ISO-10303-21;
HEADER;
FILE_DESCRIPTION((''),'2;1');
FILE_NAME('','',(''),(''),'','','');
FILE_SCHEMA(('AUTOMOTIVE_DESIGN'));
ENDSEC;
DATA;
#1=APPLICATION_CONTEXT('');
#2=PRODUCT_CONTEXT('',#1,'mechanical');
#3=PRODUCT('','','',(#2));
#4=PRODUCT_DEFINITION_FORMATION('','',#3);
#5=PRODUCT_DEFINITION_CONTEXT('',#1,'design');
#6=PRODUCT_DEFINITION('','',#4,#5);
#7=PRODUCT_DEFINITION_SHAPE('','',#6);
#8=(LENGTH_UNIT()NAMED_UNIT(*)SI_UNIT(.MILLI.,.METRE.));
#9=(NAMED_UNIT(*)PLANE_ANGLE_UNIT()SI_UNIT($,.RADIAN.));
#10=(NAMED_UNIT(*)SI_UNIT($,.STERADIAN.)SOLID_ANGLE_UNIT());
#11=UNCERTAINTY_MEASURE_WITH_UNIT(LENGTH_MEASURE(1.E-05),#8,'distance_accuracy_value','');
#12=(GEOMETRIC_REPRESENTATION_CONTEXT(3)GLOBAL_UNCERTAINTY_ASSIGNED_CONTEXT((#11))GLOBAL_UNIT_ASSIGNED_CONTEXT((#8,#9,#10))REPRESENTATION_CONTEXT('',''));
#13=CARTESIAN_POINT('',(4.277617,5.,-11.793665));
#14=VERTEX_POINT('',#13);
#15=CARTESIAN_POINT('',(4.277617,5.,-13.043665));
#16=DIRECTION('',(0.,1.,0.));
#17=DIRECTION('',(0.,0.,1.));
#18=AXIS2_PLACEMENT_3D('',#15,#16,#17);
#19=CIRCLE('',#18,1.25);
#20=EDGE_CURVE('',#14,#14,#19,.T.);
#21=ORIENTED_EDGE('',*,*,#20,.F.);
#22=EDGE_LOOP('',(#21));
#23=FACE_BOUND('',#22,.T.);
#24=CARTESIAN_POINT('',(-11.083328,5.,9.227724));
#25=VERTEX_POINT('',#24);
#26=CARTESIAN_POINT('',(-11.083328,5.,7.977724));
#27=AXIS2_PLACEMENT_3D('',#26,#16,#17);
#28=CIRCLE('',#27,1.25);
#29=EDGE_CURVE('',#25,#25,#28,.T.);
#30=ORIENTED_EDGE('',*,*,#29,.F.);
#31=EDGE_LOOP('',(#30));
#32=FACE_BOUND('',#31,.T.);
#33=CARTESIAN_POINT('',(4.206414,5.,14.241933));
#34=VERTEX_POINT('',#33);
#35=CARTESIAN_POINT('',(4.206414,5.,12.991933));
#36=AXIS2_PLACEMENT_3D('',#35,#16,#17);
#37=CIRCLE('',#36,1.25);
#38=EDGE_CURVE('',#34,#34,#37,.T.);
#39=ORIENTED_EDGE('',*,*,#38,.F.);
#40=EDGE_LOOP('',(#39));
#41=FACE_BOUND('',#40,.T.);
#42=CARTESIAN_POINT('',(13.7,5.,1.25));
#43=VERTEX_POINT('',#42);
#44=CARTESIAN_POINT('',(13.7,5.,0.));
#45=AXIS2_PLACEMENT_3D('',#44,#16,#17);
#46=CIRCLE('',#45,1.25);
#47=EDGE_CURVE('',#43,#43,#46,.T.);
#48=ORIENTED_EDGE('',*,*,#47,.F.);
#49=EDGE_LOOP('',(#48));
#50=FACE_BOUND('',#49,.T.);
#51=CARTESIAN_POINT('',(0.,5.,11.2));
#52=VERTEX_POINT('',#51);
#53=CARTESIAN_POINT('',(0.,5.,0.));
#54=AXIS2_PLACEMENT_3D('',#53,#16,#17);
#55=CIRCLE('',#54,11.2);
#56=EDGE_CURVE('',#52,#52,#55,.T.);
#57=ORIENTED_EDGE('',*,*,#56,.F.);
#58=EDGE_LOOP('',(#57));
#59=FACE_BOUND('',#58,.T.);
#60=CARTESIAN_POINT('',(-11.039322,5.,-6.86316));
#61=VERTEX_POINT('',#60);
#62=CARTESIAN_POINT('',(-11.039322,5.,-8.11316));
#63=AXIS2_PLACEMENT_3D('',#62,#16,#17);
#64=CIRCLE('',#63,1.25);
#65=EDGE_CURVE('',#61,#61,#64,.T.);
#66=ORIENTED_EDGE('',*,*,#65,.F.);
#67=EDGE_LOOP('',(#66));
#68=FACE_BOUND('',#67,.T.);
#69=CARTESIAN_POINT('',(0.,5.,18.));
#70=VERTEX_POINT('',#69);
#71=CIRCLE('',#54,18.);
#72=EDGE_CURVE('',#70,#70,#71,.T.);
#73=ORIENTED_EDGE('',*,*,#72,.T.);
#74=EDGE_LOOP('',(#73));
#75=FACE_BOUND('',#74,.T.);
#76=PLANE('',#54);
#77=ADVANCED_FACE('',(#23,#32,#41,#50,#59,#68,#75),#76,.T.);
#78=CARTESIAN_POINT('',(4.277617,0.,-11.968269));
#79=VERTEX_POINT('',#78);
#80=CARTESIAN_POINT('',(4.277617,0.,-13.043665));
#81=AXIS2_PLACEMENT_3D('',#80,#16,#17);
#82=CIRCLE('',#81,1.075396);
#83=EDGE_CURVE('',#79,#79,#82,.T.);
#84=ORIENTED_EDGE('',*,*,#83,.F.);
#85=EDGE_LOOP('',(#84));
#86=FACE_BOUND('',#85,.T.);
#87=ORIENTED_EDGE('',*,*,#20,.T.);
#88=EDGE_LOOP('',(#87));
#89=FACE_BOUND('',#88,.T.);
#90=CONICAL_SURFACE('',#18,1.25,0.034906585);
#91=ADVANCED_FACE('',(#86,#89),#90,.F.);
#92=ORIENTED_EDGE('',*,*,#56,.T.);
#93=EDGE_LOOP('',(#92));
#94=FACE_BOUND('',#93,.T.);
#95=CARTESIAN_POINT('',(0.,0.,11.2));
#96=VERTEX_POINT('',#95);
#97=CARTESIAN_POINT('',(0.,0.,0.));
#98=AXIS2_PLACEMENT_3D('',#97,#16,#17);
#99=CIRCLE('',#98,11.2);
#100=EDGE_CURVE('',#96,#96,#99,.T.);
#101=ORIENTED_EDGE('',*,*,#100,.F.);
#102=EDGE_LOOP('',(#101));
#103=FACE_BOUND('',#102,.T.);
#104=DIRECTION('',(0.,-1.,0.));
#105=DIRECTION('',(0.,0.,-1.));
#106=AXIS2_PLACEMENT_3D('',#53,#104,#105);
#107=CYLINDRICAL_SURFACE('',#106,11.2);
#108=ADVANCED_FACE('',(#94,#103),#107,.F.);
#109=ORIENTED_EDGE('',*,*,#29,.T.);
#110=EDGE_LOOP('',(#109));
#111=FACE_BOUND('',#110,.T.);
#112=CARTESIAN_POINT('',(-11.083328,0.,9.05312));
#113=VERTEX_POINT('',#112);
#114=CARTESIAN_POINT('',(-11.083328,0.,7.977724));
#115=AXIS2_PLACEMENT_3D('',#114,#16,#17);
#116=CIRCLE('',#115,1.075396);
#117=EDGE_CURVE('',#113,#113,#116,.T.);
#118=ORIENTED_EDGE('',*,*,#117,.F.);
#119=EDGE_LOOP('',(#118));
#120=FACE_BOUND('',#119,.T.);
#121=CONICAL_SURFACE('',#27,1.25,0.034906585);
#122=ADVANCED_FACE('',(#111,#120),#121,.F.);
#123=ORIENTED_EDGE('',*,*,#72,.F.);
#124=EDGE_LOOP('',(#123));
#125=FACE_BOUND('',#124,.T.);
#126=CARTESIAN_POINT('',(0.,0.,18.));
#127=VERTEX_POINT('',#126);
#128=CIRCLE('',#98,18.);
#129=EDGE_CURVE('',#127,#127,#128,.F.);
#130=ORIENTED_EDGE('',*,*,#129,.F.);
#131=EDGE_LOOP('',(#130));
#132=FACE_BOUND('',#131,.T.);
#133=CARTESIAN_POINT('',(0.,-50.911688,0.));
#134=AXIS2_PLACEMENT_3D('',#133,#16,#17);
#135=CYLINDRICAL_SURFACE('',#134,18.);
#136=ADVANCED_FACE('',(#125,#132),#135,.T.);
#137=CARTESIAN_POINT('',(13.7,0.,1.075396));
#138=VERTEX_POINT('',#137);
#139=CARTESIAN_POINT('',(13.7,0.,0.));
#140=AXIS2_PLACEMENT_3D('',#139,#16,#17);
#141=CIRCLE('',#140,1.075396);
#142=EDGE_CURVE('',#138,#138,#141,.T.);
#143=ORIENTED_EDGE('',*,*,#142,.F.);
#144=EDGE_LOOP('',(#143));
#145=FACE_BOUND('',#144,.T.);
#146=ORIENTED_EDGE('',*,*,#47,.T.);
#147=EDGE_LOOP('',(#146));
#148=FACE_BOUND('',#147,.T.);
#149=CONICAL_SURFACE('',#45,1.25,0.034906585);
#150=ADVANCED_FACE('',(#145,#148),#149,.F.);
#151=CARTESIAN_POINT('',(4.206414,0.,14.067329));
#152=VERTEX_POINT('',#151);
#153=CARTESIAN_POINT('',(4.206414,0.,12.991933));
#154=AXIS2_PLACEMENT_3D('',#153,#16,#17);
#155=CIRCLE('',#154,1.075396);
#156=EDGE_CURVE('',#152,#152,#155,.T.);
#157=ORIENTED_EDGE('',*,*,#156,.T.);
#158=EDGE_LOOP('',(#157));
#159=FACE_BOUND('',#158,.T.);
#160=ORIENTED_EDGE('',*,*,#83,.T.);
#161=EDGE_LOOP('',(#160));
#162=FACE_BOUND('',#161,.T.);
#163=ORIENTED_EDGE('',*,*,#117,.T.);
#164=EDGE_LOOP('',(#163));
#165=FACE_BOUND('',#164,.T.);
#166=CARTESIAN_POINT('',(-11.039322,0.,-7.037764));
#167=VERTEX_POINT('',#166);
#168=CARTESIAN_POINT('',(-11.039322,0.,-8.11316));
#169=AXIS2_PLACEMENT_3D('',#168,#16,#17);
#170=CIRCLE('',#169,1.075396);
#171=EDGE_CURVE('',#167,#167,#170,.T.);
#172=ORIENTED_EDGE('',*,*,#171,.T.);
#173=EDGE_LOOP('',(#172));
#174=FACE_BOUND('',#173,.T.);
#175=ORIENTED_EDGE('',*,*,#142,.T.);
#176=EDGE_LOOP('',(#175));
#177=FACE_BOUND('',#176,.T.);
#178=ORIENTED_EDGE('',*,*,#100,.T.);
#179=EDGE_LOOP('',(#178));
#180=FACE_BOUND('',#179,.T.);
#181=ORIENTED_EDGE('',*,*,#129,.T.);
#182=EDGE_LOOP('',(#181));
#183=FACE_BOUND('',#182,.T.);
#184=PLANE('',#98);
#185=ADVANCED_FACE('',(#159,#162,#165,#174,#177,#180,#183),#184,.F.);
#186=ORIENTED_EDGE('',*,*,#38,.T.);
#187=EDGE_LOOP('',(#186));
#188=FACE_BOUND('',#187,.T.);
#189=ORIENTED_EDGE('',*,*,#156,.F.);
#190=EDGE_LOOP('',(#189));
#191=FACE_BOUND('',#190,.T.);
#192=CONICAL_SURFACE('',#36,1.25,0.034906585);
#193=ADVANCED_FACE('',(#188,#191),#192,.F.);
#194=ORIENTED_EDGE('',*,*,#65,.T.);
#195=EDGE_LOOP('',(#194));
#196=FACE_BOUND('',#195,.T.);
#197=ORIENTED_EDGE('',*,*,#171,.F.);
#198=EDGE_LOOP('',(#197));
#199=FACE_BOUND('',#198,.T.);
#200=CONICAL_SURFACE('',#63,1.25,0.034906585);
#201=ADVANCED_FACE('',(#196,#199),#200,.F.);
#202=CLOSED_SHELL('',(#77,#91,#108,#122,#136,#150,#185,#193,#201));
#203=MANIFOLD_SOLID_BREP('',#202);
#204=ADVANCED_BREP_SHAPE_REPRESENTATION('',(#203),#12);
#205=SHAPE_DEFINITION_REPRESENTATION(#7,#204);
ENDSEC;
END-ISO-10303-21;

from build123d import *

# Parameters (mm, degrees)
SKETCH1_R                    = 16.2
SKETCH1_R_2                  = 11.2
BOSS_EXTRUDE2_DEPTH          = 5
SKETCH2_R                    = 1.25
CUT_EXTRUDE1_DEPTH           = 5
CUT_EXTRUDE1_DRAFT           = -2
CUT_EXTRUDE1_PROFILE_2_DEPTH = 5
CUT_EXTRUDE1_PROFILE_2_DRAFT = -2
CUT_EXTRUDE1_PROFILE_3_DEPTH = 5
CUT_EXTRUDE1_PROFILE_3_DRAFT = -2
CUT_EXTRUDE1_PROFILE_4_DEPTH = 5
CUT_EXTRUDE1_PROFILE_4_DRAFT = -2
CUT_EXTRUDE1_PROFILE_5_DEPTH = 5
CUT_EXTRUDE1_PROFILE_5_DRAFT = -2
SKETCH3_R                    = 18
SKETCH3_R_2                  = 16
BOSS_EXTRUDE4_DEPTH          = 5


with BuildPart() as part:
    # Sketch1 → Boss-Extrude2 (new body)
    with BuildSketch(Plane(origin=(0, 0, 0), x_dir=(1, 0, 0), z_dir=(0, 1, 0))):
        with Locations(Location((0, 0, 0), (0, 0, 270))):
            Circle(SKETCH1_R)
        with Locations(Location((0, 0, 0), (0, 0, 270))):
            Circle(SKETCH1_R_2, mode=Mode.SUBTRACT)
    extrude(amount=BOSS_EXTRUDE2_DEPTH)


with BuildPart() as cut_extrude1_tool:
    # Sketch2 → Cut-Extrude1 (with draft: the straight prism first)
    with BuildSketch(Plane(origin=(0, 5, 0), x_dir=(1, 0, 0), z_dir=(0, 1, 0))):
        with Locations((-11.039322132, 8.113160104)):
            Circle(SKETCH2_R)
    extrude(amount=-CUT_EXTRUDE1_DEPTH)
    # Cut-Extrude1: the draft: its side faces are tilted about the plane it starts from
    cut_extrude1_sides = [cut_extrude1_tool.faces().sort_by_distance(p)[0] for p in [
        (-12.289322132, 2.5, -8.113160104),
    ]]
    draft(cut_extrude1_sides, Plane(origin=(0, 5, 0), x_dir=(1, 0, 0), z_dir=(0, 1, 0)), CUT_EXTRUDE1_DRAFT)


with BuildPart() as part_1:
    add(part.part)

    # Cut-Extrude1: cut by cut_extrude1_tool
    add(cut_extrude1_tool.part, mode=Mode.SUBTRACT)


with BuildPart() as cut_extrude1_profile_2_tool:
    # Sketch2 → Cut-Extrude1 profile 2 (with draft: the straight prism first)
    with BuildSketch(Plane(origin=(0, 5, 0), x_dir=(1, 0, 0), z_dir=(0, 1, 0))):
        with Locations((-11.083327892, -7.977724299)):
            Circle(SKETCH2_R)
    extrude(amount=-CUT_EXTRUDE1_PROFILE_2_DEPTH)
    # Cut-Extrude1 profile 2: the draft: its side faces are tilted about the plane it starts from
    cut_extrude1_profile_2_sides = [cut_extrude1_profile_2_tool.faces().sort_by_distance(p)[0] for p in [
        (-12.333327892, 2.5, 7.977724299),
    ]]
    draft(cut_extrude1_profile_2_sides, Plane(origin=(0, 5, 0), x_dir=(1, 0, 0), z_dir=(0, 1, 0)), CUT_EXTRUDE1_PROFILE_2_DRAFT)


with BuildPart() as part_2:
    add(part_1.part)

    # Cut-Extrude1 profile 2: cut by cut_extrude1_profile_2_tool
    add(cut_extrude1_profile_2_tool.part, mode=Mode.SUBTRACT)


with BuildPart() as cut_extrude1_profile_3_tool:
    # Sketch2 → Cut-Extrude1 profile 3 (with draft: the straight prism first)
    with BuildSketch(Plane(origin=(0, 5, 0), x_dir=(1, 0, 0), z_dir=(0, 1, 0))):
        with Locations((4.206414044, -12.991932999)):
            Circle(SKETCH2_R)
    extrude(amount=-CUT_EXTRUDE1_PROFILE_3_DEPTH)
    # Cut-Extrude1 profile 3: the draft: its side faces are tilted about the plane it starts from
    cut_extrude1_profile_3_sides = [cut_extrude1_profile_3_tool.faces().sort_by_distance(p)[0] for p in [
        (2.956414044, 2.5, 12.991932999),
    ]]
    draft(cut_extrude1_profile_3_sides, Plane(origin=(0, 5, 0), x_dir=(1, 0, 0), z_dir=(0, 1, 0)), CUT_EXTRUDE1_PROFILE_3_DRAFT)


with BuildPart() as part_3:
    add(part_2.part)

    # Cut-Extrude1 profile 3: cut by cut_extrude1_profile_3_tool
    add(cut_extrude1_profile_3_tool.part, mode=Mode.SUBTRACT)


with BuildPart() as cut_extrude1_profile_4_tool:
    # Sketch2 → Cut-Extrude1 profile 4 (with draft: the straight prism first)
    with BuildSketch(Plane(origin=(0, 5, 0), x_dir=(1, 0, 0), z_dir=(0, 1, 0))):
        with Locations((13.7, 0)):
            Circle(SKETCH2_R)
    extrude(amount=-CUT_EXTRUDE1_PROFILE_4_DEPTH)
    # Cut-Extrude1 profile 4: the draft: its side faces are tilted about the plane it starts from
    cut_extrude1_profile_4_sides = [cut_extrude1_profile_4_tool.faces().sort_by_distance(p)[0] for p in [
        (12.45, 2.5, 0),
    ]]
    draft(cut_extrude1_profile_4_sides, Plane(origin=(0, 5, 0), x_dir=(1, 0, 0), z_dir=(0, 1, 0)), CUT_EXTRUDE1_PROFILE_4_DRAFT)


with BuildPart() as part_4:
    add(part_3.part)

    # Cut-Extrude1 profile 4: cut by cut_extrude1_profile_4_tool
    add(cut_extrude1_profile_4_tool.part, mode=Mode.SUBTRACT)


with BuildPart() as cut_extrude1_profile_5_tool:
    # Sketch2 → Cut-Extrude1 profile 5 (with draft: the straight prism first)
    with BuildSketch(Plane(origin=(0, 5, 0), x_dir=(1, 0, 0), z_dir=(0, 1, 0))):
        with Locations((4.27761686, 13.043664873)):
            Circle(SKETCH2_R)
    extrude(amount=-CUT_EXTRUDE1_PROFILE_5_DEPTH)
    # Cut-Extrude1 profile 5: the draft: its side faces are tilted about the plane it starts from
    cut_extrude1_profile_5_sides = [cut_extrude1_profile_5_tool.faces().sort_by_distance(p)[0] for p in [
        (3.02761686, 2.5, -13.043664873),
    ]]
    draft(cut_extrude1_profile_5_sides, Plane(origin=(0, 5, 0), x_dir=(1, 0, 0), z_dir=(0, 1, 0)), CUT_EXTRUDE1_PROFILE_5_DRAFT)


with BuildPart() as part_5:
    add(part_4.part)

    # Cut-Extrude1 profile 5: cut by cut_extrude1_profile_5_tool
    add(cut_extrude1_profile_5_tool.part, mode=Mode.SUBTRACT)

    # Sketch3 → Boss-Extrude4 (add)
    with BuildSketch(Plane(origin=(0, 5, 0), x_dir=(1, 0, 0), z_dir=(0, 1, 0))):
        with Locations(Location((0, 0, 0), (0, 0, 270))):
            Circle(SKETCH3_R)
        Circle(SKETCH3_R_2, mode=Mode.SUBTRACT)
    extrude(amount=-BOSS_EXTRUDE4_DEPTH)


solid = part_5.part
